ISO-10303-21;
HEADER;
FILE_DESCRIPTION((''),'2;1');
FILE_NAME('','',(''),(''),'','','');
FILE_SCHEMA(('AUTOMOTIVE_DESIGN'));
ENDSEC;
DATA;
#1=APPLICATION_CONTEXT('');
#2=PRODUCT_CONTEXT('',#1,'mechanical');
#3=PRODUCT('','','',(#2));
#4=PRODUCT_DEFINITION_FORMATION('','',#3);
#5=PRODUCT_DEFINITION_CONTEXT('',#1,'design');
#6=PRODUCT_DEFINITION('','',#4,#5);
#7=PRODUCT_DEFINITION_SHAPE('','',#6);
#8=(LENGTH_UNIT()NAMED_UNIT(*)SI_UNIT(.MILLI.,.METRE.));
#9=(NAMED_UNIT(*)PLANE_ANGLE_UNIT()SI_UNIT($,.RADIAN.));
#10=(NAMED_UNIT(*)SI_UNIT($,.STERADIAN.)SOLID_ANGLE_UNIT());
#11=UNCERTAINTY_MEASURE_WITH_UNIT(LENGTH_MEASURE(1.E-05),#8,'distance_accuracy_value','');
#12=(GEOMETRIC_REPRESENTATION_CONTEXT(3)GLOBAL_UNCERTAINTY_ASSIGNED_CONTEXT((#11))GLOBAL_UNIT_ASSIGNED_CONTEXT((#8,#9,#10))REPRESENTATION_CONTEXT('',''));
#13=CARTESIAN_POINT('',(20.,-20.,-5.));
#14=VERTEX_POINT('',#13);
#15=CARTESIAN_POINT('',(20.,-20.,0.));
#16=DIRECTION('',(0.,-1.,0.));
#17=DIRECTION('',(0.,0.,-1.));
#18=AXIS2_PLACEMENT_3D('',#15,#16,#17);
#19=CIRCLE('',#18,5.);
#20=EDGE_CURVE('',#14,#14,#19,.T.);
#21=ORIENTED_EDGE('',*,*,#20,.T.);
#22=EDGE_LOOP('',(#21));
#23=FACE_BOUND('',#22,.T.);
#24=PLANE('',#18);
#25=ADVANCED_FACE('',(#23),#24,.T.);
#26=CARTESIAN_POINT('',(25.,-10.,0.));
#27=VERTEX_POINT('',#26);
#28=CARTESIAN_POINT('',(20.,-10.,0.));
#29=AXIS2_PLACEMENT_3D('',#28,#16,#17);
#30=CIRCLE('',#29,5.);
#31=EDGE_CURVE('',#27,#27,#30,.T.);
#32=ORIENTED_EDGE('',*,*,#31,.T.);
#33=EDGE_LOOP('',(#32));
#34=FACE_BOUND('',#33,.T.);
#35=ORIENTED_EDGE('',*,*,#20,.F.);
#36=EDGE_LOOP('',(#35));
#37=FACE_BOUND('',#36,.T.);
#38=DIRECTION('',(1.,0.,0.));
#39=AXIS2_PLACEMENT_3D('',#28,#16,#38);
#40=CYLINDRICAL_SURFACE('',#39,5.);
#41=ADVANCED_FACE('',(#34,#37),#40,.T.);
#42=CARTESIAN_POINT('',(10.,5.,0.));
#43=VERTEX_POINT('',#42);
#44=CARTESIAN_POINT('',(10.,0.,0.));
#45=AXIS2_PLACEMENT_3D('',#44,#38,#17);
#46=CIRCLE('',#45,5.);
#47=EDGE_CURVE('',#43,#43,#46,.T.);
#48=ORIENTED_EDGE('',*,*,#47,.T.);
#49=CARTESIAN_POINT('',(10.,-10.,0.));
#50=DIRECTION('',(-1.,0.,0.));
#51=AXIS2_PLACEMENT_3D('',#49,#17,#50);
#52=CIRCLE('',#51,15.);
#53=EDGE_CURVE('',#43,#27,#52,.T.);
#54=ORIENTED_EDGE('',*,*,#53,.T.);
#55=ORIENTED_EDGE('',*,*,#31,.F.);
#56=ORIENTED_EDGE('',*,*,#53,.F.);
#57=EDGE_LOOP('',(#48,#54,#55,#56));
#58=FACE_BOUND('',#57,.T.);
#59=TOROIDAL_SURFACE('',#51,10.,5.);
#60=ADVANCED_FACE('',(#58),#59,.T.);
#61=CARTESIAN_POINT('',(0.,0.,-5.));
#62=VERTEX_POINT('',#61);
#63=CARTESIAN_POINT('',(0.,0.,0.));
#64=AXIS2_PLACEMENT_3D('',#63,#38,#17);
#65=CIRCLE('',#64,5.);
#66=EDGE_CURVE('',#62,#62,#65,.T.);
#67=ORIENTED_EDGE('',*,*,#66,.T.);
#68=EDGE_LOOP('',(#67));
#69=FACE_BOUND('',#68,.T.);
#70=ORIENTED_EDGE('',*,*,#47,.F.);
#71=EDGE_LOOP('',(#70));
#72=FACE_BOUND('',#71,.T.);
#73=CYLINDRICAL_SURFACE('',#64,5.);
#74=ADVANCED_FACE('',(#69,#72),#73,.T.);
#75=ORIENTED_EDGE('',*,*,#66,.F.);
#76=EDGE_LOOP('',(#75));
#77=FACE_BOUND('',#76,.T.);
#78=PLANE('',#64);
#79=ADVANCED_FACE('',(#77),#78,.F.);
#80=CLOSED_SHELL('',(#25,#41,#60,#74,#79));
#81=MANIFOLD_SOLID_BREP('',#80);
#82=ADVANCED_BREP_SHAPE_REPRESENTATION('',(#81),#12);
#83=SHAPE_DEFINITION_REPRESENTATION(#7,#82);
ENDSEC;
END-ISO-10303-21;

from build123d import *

# Parameters (mm, degrees)
SKETCH_48_R = 5


with BuildPart() as part:
    # 扫描7: sweep along a path in 草图2
    with BuildLine(Plane.XY) as sweep_7_path:
        Line((0, 0), (10, 0))
        ThreePointArc((10, 0), (17.071067812, -2.928932188), (20, -10))
        Line((20, -10), (20, -20))
    # 草图48 → 扫描7 (sweep)
    with BuildSketch(Plane(origin=(0, 0, 0), x_dir=(0, 0, -1), z_dir=(1, 0, 0))):
        Circle(SKETCH_48_R)
    sweep(path=sweep_7_path.line)


solid = part.part
